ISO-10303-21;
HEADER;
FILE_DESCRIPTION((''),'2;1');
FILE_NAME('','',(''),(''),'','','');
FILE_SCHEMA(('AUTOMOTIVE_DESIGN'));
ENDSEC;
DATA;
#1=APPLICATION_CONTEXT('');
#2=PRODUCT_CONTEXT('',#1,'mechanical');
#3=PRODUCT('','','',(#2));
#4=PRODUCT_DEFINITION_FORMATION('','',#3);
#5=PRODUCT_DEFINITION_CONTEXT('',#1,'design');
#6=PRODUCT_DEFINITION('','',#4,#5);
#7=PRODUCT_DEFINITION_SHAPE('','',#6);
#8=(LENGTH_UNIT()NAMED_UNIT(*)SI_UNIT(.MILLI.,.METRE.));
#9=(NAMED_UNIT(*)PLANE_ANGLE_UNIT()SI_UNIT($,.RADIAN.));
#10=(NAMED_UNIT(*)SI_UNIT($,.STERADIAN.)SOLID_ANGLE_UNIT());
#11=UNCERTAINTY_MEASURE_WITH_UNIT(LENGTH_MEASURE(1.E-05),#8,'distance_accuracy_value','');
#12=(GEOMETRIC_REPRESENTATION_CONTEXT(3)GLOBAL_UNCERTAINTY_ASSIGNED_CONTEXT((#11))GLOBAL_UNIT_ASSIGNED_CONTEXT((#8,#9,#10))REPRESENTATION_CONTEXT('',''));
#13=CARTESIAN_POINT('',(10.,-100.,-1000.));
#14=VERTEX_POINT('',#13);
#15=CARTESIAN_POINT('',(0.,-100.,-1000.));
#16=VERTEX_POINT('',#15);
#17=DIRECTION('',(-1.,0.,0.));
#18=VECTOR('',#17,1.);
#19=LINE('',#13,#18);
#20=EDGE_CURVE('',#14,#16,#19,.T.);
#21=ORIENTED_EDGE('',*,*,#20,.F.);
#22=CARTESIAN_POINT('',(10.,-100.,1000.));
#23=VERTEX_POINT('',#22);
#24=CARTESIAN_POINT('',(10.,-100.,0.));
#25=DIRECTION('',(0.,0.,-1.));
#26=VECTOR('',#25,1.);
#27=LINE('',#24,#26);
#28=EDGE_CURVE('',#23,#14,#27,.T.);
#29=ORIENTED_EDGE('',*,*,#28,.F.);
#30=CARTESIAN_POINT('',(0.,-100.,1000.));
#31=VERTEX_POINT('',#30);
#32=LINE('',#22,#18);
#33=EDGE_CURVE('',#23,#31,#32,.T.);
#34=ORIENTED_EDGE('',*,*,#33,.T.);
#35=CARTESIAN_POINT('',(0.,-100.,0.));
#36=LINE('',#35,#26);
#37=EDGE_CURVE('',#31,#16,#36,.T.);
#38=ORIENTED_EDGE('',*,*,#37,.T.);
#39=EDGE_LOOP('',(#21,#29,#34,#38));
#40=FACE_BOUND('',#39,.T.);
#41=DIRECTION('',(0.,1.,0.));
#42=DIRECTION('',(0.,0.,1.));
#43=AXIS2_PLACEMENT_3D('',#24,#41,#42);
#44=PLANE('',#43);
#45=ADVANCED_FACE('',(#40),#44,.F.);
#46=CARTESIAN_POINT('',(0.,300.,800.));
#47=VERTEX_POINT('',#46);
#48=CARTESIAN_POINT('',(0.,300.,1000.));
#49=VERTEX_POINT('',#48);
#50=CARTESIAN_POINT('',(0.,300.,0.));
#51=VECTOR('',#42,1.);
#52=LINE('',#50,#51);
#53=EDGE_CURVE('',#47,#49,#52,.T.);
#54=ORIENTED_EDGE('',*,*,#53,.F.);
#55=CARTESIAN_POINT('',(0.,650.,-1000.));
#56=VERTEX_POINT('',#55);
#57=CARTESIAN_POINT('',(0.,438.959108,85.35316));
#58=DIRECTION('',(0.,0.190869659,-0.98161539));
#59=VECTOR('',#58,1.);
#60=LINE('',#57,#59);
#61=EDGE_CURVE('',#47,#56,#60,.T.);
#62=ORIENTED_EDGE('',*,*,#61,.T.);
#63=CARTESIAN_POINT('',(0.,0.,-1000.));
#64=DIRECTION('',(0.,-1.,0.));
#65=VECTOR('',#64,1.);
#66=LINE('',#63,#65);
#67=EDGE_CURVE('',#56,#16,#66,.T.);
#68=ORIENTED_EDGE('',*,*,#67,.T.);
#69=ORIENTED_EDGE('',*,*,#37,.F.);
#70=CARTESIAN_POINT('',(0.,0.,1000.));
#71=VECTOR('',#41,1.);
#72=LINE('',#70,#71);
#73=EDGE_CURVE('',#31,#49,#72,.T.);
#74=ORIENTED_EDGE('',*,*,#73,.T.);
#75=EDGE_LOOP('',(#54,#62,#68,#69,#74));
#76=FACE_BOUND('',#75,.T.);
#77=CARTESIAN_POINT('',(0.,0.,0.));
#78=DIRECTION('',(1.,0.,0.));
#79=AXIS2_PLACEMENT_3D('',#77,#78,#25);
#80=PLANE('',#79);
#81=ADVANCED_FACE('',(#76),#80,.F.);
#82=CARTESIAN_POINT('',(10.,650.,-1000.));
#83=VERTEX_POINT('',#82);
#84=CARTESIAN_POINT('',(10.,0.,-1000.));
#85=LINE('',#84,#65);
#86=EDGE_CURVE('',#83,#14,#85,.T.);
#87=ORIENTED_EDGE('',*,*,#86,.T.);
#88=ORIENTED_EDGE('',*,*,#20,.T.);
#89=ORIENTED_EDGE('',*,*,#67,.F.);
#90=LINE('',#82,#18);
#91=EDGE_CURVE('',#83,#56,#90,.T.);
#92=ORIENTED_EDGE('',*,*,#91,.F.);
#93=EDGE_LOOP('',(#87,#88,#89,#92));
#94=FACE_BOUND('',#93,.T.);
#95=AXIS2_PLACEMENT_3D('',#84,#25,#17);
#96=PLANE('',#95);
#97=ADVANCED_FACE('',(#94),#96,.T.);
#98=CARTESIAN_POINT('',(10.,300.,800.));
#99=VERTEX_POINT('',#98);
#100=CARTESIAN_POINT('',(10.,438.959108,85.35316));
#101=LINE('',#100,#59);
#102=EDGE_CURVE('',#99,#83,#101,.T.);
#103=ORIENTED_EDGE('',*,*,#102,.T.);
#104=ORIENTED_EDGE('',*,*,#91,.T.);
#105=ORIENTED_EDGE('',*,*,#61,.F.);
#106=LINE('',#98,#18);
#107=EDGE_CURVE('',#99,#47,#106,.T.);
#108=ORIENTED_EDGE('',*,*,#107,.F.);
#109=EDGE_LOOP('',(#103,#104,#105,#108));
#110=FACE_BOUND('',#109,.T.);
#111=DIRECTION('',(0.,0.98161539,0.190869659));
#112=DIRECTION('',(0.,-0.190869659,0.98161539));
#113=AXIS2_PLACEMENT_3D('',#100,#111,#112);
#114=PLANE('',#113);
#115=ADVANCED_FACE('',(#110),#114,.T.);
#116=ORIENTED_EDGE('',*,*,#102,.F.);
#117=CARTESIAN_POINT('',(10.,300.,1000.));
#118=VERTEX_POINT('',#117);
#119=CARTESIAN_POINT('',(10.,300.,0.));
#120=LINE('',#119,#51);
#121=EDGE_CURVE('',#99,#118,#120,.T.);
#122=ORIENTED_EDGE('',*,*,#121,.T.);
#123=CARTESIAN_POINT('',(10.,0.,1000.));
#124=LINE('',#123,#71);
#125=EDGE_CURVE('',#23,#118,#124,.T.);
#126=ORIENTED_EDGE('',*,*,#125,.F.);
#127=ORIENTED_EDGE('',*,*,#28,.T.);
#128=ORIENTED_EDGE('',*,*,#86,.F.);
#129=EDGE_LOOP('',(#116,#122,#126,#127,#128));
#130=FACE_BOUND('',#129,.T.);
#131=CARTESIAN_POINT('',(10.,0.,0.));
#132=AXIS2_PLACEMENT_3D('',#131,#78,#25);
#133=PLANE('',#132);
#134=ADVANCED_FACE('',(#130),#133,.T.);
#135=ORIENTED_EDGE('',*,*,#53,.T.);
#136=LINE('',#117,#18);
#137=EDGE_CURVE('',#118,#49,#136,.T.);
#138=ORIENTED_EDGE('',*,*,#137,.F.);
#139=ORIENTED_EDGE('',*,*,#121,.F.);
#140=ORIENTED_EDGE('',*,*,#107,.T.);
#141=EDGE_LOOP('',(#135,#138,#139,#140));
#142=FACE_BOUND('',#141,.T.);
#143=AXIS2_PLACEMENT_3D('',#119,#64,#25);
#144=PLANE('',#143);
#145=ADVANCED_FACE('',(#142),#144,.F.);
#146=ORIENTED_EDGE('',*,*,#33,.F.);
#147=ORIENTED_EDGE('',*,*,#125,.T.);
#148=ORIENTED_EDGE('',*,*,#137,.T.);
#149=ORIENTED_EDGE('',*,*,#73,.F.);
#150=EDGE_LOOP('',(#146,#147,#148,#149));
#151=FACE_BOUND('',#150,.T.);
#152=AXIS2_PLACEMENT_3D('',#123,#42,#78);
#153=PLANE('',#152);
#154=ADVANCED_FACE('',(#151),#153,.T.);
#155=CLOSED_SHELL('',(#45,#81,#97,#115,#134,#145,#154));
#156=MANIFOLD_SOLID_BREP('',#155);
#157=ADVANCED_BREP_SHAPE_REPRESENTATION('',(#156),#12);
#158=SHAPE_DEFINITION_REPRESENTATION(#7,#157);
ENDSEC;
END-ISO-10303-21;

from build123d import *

# Parameters (mm, degrees)
BOSS_EXTRUDE1_DEPTH = 10


with BuildPart() as part:
    # Sketch1 → Boss-Extrude1 (new body)
    with BuildSketch(Plane(origin=(0, 0, 0), x_dir=(0, 0, -1), z_dir=(1, 0, 0))):
        Polygon((1000, 650), (-800, 300), (-1000, 300), (-1000, -100), (1000, -100), (1000, 100), (1000, 300), align=None)
    extrude(amount=BOSS_EXTRUDE1_DEPTH)


solid = part.part
